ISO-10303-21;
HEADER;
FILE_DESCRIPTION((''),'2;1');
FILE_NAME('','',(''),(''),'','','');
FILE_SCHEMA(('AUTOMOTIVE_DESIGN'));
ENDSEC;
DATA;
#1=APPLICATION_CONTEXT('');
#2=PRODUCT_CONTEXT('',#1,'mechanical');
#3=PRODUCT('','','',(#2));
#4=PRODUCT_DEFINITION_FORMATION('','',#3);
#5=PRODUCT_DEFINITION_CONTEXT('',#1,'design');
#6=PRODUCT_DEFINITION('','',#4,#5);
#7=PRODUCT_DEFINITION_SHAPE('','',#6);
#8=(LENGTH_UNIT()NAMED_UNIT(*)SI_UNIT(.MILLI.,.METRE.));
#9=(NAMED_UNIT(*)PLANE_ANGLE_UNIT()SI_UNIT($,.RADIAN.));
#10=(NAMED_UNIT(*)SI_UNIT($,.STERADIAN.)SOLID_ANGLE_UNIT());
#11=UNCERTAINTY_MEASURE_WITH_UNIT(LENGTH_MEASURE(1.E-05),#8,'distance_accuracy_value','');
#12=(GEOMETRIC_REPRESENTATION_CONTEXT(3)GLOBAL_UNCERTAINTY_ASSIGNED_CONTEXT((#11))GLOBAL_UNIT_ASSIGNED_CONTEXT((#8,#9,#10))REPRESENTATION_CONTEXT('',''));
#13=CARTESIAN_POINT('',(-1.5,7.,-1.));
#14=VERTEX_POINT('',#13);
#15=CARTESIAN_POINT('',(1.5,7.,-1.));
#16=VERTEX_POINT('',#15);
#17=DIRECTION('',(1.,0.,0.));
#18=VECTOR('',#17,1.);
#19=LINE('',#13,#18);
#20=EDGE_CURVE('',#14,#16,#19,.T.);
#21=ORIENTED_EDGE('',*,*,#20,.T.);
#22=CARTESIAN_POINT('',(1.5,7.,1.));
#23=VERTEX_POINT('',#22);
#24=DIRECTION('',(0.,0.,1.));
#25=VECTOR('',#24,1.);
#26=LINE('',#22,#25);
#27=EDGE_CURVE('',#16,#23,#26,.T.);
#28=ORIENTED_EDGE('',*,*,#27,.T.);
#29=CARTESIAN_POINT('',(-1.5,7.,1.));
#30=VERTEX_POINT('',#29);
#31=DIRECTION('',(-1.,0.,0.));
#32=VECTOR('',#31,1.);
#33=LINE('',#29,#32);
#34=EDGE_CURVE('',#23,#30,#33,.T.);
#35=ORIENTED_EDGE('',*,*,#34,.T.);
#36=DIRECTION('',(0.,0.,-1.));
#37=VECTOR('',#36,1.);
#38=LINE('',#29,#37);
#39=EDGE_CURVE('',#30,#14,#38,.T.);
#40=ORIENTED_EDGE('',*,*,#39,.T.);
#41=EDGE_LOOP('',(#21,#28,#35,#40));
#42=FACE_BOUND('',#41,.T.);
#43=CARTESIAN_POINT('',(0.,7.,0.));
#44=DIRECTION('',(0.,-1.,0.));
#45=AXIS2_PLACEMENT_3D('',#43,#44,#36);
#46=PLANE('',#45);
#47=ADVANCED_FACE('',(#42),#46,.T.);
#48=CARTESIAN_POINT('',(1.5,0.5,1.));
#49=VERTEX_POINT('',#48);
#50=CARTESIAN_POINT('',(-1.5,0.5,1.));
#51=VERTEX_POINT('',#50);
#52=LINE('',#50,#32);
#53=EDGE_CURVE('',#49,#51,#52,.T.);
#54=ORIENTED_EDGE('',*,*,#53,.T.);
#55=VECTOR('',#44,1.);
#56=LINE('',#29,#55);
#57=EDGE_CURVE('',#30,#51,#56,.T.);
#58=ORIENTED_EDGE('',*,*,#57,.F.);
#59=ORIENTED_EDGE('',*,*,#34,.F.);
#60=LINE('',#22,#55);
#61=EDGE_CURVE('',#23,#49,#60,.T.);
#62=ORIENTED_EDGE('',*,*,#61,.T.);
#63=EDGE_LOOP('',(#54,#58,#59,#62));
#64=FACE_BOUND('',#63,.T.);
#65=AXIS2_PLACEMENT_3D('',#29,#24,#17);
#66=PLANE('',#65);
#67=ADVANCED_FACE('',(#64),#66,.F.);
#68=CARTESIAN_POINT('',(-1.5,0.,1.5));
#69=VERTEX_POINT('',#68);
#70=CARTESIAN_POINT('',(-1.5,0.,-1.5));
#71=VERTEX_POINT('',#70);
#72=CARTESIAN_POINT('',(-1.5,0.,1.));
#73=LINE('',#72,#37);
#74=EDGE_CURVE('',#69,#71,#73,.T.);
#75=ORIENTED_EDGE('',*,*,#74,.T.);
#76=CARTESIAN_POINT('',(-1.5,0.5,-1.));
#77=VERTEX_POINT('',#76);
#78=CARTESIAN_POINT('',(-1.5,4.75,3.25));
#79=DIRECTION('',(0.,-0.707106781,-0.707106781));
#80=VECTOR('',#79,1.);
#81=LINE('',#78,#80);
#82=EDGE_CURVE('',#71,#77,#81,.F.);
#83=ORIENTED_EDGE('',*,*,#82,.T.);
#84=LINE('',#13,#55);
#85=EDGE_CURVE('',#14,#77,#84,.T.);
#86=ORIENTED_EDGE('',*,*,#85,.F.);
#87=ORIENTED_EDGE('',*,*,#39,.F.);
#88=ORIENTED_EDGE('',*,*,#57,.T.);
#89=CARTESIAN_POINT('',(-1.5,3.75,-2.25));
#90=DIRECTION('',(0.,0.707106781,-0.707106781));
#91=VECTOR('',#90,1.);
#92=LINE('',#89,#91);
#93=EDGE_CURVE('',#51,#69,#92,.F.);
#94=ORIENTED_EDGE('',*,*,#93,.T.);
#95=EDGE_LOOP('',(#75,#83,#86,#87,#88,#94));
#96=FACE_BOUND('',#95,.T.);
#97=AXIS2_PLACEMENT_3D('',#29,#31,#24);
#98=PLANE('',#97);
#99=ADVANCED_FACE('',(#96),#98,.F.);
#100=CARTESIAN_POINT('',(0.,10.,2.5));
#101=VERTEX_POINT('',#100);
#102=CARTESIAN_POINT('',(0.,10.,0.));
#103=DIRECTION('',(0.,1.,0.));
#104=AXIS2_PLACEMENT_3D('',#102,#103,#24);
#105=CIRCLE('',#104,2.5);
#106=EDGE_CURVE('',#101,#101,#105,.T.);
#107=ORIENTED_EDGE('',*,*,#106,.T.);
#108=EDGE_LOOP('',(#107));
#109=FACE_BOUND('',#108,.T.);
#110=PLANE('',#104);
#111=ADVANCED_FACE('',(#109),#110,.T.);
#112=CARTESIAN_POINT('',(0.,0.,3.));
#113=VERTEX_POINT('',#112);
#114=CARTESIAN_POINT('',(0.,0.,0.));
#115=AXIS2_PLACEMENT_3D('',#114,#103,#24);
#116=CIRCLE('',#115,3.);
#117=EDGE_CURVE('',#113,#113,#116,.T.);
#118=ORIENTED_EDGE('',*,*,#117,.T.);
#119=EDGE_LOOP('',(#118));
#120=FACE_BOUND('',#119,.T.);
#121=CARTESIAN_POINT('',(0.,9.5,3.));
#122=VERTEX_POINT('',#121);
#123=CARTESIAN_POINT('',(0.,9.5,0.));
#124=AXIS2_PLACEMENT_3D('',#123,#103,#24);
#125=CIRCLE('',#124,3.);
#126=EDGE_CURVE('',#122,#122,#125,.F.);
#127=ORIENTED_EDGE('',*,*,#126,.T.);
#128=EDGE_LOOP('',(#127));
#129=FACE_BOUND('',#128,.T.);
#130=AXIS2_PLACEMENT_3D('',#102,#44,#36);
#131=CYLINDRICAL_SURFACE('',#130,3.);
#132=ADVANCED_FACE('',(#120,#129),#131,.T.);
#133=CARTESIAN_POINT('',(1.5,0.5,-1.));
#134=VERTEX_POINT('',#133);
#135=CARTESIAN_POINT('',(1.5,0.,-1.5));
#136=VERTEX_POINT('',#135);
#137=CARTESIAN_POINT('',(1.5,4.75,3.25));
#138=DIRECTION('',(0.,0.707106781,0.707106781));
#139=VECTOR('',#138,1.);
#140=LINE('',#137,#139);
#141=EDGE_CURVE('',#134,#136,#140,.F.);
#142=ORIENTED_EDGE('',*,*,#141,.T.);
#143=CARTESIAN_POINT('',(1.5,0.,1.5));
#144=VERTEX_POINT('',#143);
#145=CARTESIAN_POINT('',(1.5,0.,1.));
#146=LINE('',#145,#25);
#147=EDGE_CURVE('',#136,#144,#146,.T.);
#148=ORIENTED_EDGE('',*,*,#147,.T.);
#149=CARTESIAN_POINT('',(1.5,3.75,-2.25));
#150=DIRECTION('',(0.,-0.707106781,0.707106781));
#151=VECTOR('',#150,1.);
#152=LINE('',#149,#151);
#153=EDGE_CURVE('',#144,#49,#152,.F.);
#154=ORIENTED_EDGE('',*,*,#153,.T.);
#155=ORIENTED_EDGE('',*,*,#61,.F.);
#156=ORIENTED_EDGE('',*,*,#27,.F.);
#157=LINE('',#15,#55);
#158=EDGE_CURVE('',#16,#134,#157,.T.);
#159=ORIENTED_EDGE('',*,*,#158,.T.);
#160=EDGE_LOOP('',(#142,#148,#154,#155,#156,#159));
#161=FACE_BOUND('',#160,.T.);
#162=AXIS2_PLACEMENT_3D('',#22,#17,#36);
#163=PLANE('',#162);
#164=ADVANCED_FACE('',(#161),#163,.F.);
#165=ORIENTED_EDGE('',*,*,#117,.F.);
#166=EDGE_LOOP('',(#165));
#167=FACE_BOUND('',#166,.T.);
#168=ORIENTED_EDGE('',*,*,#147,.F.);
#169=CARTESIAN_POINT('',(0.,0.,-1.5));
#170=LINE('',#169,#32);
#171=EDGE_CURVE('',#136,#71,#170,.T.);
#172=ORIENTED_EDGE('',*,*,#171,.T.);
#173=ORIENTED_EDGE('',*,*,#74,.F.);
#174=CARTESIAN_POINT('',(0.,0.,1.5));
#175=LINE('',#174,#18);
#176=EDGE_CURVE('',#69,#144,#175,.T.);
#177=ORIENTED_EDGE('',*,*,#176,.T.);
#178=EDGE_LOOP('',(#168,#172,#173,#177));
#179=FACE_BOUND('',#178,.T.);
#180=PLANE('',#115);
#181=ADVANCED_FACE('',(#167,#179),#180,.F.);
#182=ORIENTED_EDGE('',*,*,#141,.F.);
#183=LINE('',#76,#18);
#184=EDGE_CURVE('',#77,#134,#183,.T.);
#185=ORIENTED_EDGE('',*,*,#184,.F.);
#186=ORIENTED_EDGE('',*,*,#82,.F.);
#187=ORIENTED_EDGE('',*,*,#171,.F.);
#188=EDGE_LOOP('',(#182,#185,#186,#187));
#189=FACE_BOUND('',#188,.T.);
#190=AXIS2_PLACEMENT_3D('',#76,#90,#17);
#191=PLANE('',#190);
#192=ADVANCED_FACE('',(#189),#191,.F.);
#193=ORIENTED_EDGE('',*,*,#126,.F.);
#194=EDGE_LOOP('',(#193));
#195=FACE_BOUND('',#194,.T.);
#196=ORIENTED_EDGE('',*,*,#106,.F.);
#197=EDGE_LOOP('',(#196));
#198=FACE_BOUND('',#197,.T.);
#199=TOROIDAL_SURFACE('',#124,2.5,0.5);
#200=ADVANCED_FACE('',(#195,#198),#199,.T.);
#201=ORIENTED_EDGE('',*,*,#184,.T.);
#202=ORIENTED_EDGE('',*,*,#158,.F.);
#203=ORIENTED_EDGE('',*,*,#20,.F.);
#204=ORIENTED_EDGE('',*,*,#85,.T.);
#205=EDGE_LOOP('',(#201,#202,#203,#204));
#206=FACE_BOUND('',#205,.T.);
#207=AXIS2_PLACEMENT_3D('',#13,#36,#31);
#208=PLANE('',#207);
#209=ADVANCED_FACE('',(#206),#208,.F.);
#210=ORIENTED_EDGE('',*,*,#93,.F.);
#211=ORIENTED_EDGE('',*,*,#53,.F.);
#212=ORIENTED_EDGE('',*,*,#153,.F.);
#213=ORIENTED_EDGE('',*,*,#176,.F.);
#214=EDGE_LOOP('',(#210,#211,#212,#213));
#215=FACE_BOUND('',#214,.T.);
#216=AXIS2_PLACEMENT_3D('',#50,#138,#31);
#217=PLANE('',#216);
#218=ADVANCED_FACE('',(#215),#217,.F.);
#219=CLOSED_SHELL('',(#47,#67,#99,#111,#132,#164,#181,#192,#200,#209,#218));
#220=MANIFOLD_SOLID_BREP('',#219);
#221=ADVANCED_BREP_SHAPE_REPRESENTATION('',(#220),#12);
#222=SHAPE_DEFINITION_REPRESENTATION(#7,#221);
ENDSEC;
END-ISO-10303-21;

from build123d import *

# Parameters (mm, degrees)
SKETCH1_R           = 3
BOSS_EXTRUDE1_DEPTH = 10
SKETCH2_W           = 3
SKETCH2_H           = 2
CUT_EXTRUDE1_DEPTH  = 7
CHAMFER1_SIZE       = 0.5
FILLET1_R           = 0.5


with BuildPart() as part:
    # Sketch1 → Boss-Extrude1 (new body)
    with BuildSketch(Plane(origin=(0, 0, 0), x_dir=(1, 0, 0), z_dir=(0, 1, 0))):
        with Locations(Location((0, 0, 0), (0, 0, 270))):
            Circle(SKETCH1_R)
    extrude(amount=BOSS_EXTRUDE1_DEPTH)

    # Sketch2 → Cut-Extrude1 (cut)
    with BuildSketch(Plane.XZ):
        Rectangle(SKETCH2_W, SKETCH2_H)
    extrude(amount=-CUT_EXTRUDE1_DEPTH, mode=Mode.SUBTRACT)

    # Chamfer1
    chamfer1_edges = [part.edges().sort_by_distance(p)[0] for p in [
        (0, 0, -1),
        (0, 0, 1),
    ]]
    chamfer(chamfer1_edges, length=CHAMFER1_SIZE)

    # Fillet1
    fillet1_edges = [part.edges().sort_by_distance(p)[0] for p in [
        (0, 10, -3),
    ]]
    fillet(fillet1_edges, radius=FILLET1_R)


solid = part.part
